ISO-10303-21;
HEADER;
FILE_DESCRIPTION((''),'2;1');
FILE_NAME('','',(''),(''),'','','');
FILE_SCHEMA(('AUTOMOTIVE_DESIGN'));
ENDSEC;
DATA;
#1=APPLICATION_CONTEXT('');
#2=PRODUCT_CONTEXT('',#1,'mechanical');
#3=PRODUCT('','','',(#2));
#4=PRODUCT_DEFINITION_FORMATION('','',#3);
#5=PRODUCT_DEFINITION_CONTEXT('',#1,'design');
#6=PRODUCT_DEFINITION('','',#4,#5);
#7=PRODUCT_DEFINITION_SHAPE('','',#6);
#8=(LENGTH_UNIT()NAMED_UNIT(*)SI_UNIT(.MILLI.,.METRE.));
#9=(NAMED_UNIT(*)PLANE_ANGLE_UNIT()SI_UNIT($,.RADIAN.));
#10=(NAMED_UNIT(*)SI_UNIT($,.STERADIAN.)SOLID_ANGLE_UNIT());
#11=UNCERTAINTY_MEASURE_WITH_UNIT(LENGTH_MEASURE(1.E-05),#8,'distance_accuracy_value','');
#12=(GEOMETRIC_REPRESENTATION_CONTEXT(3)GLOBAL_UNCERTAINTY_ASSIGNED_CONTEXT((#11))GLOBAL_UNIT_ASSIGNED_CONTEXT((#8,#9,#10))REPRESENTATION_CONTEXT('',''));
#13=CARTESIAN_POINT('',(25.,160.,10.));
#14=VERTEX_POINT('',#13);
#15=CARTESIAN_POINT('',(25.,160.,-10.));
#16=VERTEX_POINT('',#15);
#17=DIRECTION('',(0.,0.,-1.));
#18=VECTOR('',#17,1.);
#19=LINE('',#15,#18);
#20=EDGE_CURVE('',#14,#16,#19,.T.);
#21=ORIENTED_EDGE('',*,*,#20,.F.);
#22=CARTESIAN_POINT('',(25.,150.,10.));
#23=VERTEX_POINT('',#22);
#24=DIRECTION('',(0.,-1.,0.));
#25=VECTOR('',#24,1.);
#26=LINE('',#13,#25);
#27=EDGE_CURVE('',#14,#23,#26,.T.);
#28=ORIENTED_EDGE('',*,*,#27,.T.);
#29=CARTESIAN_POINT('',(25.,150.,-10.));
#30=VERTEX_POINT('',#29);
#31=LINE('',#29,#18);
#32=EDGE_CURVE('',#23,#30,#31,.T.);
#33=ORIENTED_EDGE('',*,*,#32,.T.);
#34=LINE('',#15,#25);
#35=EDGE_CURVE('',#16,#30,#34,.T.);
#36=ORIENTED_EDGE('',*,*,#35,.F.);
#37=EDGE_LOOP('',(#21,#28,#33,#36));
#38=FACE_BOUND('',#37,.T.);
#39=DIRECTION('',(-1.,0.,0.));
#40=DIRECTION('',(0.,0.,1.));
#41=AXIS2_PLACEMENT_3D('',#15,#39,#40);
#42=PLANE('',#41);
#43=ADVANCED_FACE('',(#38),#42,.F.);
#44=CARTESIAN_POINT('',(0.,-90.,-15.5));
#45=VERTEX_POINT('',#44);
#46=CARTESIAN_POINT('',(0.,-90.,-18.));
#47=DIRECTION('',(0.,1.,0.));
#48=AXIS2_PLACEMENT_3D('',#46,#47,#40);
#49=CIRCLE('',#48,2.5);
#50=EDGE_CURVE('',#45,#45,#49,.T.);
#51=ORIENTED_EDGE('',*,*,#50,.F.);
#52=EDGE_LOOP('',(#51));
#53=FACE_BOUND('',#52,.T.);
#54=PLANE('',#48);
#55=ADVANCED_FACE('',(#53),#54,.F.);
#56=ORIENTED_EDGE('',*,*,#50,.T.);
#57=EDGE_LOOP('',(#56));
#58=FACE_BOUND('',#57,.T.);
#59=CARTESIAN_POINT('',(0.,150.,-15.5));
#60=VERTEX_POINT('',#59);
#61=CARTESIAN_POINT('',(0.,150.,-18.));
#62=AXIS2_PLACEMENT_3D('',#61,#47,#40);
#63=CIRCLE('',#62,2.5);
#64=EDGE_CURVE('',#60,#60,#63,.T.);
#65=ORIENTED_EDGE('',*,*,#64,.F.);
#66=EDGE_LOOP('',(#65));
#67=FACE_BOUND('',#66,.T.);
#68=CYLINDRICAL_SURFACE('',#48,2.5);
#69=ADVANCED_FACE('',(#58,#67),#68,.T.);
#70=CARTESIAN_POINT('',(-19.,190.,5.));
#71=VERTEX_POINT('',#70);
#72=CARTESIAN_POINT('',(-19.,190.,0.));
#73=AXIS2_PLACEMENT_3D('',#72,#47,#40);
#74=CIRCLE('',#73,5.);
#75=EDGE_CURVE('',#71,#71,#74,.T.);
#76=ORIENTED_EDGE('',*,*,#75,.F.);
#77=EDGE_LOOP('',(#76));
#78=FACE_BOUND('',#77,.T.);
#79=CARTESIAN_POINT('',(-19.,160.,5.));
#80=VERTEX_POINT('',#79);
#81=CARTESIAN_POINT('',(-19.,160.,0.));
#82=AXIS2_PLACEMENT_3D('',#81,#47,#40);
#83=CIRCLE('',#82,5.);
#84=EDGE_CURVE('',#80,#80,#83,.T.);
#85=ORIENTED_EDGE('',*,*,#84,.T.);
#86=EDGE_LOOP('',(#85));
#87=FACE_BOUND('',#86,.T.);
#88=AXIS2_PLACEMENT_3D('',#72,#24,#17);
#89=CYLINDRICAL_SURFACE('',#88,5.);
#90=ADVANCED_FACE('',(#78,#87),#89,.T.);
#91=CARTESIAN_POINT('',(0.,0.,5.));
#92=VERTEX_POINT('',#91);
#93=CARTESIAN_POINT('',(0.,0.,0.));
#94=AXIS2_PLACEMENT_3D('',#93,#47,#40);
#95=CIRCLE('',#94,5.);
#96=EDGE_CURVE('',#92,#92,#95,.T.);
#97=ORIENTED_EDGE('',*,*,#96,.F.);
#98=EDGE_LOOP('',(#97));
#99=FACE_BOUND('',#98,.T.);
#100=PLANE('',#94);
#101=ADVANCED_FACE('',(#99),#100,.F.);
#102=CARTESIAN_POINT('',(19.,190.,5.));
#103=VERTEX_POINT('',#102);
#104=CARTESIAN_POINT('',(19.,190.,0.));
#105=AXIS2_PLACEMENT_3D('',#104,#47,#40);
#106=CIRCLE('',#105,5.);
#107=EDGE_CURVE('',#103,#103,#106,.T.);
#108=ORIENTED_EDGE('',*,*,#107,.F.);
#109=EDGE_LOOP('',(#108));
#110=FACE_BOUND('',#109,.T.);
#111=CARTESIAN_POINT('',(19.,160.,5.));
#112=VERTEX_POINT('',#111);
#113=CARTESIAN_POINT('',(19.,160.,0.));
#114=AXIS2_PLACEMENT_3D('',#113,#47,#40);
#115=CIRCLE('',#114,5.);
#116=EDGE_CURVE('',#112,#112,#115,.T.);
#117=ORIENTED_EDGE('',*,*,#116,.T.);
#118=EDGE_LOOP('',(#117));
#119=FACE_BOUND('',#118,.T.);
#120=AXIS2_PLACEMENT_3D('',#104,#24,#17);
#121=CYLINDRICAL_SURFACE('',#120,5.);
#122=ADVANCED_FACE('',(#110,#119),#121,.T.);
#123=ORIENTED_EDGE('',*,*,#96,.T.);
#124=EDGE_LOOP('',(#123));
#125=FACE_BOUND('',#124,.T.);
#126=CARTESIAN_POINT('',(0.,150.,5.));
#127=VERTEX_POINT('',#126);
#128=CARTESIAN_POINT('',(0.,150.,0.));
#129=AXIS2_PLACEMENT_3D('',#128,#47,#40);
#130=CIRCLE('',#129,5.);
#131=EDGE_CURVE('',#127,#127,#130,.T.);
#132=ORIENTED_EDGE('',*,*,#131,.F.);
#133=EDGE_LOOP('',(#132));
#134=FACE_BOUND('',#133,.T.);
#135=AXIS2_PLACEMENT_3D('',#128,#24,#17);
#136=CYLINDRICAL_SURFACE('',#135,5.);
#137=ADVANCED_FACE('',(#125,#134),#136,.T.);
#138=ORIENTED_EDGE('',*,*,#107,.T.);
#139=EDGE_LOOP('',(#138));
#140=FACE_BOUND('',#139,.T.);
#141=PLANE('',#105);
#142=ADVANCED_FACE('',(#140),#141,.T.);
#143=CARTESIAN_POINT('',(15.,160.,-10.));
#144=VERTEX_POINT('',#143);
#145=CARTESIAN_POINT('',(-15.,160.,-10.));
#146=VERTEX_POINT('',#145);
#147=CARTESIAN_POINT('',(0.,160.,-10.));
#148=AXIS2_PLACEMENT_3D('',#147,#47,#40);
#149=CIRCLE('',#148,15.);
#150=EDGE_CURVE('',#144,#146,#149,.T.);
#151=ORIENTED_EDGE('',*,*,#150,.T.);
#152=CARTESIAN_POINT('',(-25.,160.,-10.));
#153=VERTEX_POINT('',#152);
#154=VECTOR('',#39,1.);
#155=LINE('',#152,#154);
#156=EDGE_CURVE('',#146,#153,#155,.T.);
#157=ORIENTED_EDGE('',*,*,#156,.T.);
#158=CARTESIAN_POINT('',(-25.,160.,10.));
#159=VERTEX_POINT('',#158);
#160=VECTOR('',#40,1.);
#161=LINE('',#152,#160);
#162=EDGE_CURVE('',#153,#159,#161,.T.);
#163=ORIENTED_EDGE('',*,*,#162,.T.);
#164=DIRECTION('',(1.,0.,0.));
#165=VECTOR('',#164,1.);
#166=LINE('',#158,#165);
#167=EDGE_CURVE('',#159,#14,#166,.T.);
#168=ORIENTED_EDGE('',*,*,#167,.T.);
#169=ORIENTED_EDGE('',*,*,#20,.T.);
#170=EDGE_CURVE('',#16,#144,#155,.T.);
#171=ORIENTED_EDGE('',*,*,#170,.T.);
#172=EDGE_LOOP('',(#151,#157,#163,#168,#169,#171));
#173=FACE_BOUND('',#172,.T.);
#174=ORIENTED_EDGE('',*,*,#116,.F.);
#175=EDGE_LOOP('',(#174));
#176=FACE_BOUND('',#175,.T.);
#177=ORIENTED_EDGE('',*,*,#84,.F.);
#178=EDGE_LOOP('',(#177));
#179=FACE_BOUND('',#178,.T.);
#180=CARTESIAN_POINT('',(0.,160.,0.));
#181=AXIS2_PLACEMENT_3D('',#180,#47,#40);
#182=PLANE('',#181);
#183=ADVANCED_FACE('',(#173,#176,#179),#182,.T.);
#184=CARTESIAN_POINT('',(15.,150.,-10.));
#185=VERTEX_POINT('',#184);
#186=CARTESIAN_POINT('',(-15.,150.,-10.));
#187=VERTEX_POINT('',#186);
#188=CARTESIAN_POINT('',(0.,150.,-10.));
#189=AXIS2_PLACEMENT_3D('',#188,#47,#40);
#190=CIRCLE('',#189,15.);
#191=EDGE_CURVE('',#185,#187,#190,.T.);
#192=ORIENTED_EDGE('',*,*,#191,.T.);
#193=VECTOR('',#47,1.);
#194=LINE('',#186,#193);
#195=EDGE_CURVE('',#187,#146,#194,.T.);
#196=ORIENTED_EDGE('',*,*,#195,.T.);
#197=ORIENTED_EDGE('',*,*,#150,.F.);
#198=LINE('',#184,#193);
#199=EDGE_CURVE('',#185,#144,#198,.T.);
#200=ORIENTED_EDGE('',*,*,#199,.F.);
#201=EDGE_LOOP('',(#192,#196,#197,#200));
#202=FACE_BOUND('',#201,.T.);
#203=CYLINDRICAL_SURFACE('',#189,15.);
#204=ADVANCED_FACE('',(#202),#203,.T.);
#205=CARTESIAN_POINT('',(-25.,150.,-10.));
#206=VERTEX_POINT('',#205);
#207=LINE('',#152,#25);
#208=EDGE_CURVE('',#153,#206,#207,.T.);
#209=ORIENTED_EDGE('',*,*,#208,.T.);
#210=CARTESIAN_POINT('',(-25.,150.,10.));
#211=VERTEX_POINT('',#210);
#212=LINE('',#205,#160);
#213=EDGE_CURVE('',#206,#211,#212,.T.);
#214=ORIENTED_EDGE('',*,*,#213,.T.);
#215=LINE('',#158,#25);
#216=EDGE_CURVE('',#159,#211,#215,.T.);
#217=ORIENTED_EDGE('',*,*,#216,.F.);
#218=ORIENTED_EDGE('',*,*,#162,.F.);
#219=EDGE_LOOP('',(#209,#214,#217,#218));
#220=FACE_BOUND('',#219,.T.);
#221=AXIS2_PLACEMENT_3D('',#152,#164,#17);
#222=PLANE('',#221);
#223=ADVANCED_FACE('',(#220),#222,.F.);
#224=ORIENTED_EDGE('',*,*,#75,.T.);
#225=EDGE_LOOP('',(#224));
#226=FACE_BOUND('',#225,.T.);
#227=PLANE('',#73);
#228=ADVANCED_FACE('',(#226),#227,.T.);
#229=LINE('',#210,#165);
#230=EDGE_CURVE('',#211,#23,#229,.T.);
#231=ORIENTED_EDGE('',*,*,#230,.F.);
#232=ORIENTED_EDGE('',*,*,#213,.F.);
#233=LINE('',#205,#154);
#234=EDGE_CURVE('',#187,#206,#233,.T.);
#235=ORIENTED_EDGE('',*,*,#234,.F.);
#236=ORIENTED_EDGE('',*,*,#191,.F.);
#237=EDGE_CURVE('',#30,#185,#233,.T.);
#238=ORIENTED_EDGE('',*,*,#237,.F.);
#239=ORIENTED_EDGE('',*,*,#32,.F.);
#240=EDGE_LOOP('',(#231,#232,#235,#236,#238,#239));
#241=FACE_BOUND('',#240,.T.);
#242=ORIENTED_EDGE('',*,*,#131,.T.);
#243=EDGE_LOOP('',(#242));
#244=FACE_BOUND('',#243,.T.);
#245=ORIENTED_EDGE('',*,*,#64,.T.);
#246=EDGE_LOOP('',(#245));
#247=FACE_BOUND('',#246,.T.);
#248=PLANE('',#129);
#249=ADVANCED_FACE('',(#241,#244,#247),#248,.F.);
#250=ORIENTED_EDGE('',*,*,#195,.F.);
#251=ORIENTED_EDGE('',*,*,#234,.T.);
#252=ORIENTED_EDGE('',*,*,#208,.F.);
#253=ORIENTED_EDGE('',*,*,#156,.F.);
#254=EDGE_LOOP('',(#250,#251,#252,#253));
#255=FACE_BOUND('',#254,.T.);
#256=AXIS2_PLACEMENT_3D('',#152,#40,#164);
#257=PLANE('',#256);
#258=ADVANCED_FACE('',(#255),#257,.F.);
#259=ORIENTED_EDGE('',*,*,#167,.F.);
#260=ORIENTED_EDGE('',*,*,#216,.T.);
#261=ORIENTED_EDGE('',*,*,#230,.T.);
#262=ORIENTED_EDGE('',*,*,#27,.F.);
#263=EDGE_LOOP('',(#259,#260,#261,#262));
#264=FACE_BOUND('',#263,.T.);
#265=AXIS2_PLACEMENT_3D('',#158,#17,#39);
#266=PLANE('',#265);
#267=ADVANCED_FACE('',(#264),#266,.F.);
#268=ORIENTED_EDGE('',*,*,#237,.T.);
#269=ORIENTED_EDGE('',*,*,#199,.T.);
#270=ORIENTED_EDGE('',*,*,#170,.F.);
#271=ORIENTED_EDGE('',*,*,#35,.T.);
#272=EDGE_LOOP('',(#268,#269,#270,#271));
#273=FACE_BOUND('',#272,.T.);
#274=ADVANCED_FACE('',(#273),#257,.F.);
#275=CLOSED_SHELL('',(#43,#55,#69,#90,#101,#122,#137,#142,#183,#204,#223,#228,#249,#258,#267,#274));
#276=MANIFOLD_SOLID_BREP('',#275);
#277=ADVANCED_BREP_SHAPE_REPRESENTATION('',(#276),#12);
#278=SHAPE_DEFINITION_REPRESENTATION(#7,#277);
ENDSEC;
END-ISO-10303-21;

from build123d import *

# Parameters (mm, degrees)
SKETCH1_R           = 5
BOSS_EXTRUDE1_DEPTH = 150
SKETCH2_W           = 50
SKETCH2_H           = 20
BOSS_EXTRUDE2_DEPTH = 10
SKETCH3_R           = 5
BOSS_EXTRUDE3_DEPTH = 30
BOSS_EXTRUDE4_DEPTH = 10
SKETCH5_R           = 2.5
BOSS_EXTRUDE5_DEPTH = 250


with BuildPart() as part:
    # Sketch1 → Boss-Extrude1 (new body)
    with BuildSketch(Plane(origin=(0, 0, 0), x_dir=(1, 0, 0), z_dir=(0, 1, 0))):
        with Locations(Location((0, 0, 0), (0, 0, 270))):
            Circle(SKETCH1_R)
    extrude(amount=BOSS_EXTRUDE1_DEPTH)

    # Sketch2 → Boss-Extrude2 (add)
    with BuildSketch(Plane(origin=(0, 150, 0), x_dir=(1, 0, 0), z_dir=(0, 1, 0))):
        Rectangle(SKETCH2_W, SKETCH2_H)
    extrude(amount=BOSS_EXTRUDE2_DEPTH)

    # Sketch3 → Boss-Extrude3 (add)
    with BuildSketch(Plane(origin=(0, 160, 0), x_dir=(1, 0, 0), z_dir=(0, 1, 0))):
        with Locations(Location((-19, 0, 0), (0, 0, 270))):
            Circle(SKETCH3_R)
        with Locations(Location((19, 0, 0), (0, 0, 270))):
            Circle(SKETCH3_R)
    extrude(amount=BOSS_EXTRUDE3_DEPTH)

    # Sketch4 → Boss-Extrude4 (add)
    with BuildSketch(Plane(origin=(0, 160, 0), x_dir=(1, 0, 0), z_dir=(0, 1, 0))):
        with BuildLine():
            Line((-15, 10), (15, 10))
            ThreePointArc((15, 10), (0, 25), (-15, 10))
        make_face()
    extrude(amount=-BOSS_EXTRUDE4_DEPTH)

    # Sketch5 → Boss-Extrude5 (add)
    with BuildSketch(Plane(origin=(0, 160, 0), x_dir=(1, 0, 0), z_dir=(0, 1, 0))):
        with Locations(Location((0, 18, 0), (0, 0, 270))):
            Circle(SKETCH5_R)
    extrude(amount=-BOSS_EXTRUDE5_DEPTH)


solid = part.part
